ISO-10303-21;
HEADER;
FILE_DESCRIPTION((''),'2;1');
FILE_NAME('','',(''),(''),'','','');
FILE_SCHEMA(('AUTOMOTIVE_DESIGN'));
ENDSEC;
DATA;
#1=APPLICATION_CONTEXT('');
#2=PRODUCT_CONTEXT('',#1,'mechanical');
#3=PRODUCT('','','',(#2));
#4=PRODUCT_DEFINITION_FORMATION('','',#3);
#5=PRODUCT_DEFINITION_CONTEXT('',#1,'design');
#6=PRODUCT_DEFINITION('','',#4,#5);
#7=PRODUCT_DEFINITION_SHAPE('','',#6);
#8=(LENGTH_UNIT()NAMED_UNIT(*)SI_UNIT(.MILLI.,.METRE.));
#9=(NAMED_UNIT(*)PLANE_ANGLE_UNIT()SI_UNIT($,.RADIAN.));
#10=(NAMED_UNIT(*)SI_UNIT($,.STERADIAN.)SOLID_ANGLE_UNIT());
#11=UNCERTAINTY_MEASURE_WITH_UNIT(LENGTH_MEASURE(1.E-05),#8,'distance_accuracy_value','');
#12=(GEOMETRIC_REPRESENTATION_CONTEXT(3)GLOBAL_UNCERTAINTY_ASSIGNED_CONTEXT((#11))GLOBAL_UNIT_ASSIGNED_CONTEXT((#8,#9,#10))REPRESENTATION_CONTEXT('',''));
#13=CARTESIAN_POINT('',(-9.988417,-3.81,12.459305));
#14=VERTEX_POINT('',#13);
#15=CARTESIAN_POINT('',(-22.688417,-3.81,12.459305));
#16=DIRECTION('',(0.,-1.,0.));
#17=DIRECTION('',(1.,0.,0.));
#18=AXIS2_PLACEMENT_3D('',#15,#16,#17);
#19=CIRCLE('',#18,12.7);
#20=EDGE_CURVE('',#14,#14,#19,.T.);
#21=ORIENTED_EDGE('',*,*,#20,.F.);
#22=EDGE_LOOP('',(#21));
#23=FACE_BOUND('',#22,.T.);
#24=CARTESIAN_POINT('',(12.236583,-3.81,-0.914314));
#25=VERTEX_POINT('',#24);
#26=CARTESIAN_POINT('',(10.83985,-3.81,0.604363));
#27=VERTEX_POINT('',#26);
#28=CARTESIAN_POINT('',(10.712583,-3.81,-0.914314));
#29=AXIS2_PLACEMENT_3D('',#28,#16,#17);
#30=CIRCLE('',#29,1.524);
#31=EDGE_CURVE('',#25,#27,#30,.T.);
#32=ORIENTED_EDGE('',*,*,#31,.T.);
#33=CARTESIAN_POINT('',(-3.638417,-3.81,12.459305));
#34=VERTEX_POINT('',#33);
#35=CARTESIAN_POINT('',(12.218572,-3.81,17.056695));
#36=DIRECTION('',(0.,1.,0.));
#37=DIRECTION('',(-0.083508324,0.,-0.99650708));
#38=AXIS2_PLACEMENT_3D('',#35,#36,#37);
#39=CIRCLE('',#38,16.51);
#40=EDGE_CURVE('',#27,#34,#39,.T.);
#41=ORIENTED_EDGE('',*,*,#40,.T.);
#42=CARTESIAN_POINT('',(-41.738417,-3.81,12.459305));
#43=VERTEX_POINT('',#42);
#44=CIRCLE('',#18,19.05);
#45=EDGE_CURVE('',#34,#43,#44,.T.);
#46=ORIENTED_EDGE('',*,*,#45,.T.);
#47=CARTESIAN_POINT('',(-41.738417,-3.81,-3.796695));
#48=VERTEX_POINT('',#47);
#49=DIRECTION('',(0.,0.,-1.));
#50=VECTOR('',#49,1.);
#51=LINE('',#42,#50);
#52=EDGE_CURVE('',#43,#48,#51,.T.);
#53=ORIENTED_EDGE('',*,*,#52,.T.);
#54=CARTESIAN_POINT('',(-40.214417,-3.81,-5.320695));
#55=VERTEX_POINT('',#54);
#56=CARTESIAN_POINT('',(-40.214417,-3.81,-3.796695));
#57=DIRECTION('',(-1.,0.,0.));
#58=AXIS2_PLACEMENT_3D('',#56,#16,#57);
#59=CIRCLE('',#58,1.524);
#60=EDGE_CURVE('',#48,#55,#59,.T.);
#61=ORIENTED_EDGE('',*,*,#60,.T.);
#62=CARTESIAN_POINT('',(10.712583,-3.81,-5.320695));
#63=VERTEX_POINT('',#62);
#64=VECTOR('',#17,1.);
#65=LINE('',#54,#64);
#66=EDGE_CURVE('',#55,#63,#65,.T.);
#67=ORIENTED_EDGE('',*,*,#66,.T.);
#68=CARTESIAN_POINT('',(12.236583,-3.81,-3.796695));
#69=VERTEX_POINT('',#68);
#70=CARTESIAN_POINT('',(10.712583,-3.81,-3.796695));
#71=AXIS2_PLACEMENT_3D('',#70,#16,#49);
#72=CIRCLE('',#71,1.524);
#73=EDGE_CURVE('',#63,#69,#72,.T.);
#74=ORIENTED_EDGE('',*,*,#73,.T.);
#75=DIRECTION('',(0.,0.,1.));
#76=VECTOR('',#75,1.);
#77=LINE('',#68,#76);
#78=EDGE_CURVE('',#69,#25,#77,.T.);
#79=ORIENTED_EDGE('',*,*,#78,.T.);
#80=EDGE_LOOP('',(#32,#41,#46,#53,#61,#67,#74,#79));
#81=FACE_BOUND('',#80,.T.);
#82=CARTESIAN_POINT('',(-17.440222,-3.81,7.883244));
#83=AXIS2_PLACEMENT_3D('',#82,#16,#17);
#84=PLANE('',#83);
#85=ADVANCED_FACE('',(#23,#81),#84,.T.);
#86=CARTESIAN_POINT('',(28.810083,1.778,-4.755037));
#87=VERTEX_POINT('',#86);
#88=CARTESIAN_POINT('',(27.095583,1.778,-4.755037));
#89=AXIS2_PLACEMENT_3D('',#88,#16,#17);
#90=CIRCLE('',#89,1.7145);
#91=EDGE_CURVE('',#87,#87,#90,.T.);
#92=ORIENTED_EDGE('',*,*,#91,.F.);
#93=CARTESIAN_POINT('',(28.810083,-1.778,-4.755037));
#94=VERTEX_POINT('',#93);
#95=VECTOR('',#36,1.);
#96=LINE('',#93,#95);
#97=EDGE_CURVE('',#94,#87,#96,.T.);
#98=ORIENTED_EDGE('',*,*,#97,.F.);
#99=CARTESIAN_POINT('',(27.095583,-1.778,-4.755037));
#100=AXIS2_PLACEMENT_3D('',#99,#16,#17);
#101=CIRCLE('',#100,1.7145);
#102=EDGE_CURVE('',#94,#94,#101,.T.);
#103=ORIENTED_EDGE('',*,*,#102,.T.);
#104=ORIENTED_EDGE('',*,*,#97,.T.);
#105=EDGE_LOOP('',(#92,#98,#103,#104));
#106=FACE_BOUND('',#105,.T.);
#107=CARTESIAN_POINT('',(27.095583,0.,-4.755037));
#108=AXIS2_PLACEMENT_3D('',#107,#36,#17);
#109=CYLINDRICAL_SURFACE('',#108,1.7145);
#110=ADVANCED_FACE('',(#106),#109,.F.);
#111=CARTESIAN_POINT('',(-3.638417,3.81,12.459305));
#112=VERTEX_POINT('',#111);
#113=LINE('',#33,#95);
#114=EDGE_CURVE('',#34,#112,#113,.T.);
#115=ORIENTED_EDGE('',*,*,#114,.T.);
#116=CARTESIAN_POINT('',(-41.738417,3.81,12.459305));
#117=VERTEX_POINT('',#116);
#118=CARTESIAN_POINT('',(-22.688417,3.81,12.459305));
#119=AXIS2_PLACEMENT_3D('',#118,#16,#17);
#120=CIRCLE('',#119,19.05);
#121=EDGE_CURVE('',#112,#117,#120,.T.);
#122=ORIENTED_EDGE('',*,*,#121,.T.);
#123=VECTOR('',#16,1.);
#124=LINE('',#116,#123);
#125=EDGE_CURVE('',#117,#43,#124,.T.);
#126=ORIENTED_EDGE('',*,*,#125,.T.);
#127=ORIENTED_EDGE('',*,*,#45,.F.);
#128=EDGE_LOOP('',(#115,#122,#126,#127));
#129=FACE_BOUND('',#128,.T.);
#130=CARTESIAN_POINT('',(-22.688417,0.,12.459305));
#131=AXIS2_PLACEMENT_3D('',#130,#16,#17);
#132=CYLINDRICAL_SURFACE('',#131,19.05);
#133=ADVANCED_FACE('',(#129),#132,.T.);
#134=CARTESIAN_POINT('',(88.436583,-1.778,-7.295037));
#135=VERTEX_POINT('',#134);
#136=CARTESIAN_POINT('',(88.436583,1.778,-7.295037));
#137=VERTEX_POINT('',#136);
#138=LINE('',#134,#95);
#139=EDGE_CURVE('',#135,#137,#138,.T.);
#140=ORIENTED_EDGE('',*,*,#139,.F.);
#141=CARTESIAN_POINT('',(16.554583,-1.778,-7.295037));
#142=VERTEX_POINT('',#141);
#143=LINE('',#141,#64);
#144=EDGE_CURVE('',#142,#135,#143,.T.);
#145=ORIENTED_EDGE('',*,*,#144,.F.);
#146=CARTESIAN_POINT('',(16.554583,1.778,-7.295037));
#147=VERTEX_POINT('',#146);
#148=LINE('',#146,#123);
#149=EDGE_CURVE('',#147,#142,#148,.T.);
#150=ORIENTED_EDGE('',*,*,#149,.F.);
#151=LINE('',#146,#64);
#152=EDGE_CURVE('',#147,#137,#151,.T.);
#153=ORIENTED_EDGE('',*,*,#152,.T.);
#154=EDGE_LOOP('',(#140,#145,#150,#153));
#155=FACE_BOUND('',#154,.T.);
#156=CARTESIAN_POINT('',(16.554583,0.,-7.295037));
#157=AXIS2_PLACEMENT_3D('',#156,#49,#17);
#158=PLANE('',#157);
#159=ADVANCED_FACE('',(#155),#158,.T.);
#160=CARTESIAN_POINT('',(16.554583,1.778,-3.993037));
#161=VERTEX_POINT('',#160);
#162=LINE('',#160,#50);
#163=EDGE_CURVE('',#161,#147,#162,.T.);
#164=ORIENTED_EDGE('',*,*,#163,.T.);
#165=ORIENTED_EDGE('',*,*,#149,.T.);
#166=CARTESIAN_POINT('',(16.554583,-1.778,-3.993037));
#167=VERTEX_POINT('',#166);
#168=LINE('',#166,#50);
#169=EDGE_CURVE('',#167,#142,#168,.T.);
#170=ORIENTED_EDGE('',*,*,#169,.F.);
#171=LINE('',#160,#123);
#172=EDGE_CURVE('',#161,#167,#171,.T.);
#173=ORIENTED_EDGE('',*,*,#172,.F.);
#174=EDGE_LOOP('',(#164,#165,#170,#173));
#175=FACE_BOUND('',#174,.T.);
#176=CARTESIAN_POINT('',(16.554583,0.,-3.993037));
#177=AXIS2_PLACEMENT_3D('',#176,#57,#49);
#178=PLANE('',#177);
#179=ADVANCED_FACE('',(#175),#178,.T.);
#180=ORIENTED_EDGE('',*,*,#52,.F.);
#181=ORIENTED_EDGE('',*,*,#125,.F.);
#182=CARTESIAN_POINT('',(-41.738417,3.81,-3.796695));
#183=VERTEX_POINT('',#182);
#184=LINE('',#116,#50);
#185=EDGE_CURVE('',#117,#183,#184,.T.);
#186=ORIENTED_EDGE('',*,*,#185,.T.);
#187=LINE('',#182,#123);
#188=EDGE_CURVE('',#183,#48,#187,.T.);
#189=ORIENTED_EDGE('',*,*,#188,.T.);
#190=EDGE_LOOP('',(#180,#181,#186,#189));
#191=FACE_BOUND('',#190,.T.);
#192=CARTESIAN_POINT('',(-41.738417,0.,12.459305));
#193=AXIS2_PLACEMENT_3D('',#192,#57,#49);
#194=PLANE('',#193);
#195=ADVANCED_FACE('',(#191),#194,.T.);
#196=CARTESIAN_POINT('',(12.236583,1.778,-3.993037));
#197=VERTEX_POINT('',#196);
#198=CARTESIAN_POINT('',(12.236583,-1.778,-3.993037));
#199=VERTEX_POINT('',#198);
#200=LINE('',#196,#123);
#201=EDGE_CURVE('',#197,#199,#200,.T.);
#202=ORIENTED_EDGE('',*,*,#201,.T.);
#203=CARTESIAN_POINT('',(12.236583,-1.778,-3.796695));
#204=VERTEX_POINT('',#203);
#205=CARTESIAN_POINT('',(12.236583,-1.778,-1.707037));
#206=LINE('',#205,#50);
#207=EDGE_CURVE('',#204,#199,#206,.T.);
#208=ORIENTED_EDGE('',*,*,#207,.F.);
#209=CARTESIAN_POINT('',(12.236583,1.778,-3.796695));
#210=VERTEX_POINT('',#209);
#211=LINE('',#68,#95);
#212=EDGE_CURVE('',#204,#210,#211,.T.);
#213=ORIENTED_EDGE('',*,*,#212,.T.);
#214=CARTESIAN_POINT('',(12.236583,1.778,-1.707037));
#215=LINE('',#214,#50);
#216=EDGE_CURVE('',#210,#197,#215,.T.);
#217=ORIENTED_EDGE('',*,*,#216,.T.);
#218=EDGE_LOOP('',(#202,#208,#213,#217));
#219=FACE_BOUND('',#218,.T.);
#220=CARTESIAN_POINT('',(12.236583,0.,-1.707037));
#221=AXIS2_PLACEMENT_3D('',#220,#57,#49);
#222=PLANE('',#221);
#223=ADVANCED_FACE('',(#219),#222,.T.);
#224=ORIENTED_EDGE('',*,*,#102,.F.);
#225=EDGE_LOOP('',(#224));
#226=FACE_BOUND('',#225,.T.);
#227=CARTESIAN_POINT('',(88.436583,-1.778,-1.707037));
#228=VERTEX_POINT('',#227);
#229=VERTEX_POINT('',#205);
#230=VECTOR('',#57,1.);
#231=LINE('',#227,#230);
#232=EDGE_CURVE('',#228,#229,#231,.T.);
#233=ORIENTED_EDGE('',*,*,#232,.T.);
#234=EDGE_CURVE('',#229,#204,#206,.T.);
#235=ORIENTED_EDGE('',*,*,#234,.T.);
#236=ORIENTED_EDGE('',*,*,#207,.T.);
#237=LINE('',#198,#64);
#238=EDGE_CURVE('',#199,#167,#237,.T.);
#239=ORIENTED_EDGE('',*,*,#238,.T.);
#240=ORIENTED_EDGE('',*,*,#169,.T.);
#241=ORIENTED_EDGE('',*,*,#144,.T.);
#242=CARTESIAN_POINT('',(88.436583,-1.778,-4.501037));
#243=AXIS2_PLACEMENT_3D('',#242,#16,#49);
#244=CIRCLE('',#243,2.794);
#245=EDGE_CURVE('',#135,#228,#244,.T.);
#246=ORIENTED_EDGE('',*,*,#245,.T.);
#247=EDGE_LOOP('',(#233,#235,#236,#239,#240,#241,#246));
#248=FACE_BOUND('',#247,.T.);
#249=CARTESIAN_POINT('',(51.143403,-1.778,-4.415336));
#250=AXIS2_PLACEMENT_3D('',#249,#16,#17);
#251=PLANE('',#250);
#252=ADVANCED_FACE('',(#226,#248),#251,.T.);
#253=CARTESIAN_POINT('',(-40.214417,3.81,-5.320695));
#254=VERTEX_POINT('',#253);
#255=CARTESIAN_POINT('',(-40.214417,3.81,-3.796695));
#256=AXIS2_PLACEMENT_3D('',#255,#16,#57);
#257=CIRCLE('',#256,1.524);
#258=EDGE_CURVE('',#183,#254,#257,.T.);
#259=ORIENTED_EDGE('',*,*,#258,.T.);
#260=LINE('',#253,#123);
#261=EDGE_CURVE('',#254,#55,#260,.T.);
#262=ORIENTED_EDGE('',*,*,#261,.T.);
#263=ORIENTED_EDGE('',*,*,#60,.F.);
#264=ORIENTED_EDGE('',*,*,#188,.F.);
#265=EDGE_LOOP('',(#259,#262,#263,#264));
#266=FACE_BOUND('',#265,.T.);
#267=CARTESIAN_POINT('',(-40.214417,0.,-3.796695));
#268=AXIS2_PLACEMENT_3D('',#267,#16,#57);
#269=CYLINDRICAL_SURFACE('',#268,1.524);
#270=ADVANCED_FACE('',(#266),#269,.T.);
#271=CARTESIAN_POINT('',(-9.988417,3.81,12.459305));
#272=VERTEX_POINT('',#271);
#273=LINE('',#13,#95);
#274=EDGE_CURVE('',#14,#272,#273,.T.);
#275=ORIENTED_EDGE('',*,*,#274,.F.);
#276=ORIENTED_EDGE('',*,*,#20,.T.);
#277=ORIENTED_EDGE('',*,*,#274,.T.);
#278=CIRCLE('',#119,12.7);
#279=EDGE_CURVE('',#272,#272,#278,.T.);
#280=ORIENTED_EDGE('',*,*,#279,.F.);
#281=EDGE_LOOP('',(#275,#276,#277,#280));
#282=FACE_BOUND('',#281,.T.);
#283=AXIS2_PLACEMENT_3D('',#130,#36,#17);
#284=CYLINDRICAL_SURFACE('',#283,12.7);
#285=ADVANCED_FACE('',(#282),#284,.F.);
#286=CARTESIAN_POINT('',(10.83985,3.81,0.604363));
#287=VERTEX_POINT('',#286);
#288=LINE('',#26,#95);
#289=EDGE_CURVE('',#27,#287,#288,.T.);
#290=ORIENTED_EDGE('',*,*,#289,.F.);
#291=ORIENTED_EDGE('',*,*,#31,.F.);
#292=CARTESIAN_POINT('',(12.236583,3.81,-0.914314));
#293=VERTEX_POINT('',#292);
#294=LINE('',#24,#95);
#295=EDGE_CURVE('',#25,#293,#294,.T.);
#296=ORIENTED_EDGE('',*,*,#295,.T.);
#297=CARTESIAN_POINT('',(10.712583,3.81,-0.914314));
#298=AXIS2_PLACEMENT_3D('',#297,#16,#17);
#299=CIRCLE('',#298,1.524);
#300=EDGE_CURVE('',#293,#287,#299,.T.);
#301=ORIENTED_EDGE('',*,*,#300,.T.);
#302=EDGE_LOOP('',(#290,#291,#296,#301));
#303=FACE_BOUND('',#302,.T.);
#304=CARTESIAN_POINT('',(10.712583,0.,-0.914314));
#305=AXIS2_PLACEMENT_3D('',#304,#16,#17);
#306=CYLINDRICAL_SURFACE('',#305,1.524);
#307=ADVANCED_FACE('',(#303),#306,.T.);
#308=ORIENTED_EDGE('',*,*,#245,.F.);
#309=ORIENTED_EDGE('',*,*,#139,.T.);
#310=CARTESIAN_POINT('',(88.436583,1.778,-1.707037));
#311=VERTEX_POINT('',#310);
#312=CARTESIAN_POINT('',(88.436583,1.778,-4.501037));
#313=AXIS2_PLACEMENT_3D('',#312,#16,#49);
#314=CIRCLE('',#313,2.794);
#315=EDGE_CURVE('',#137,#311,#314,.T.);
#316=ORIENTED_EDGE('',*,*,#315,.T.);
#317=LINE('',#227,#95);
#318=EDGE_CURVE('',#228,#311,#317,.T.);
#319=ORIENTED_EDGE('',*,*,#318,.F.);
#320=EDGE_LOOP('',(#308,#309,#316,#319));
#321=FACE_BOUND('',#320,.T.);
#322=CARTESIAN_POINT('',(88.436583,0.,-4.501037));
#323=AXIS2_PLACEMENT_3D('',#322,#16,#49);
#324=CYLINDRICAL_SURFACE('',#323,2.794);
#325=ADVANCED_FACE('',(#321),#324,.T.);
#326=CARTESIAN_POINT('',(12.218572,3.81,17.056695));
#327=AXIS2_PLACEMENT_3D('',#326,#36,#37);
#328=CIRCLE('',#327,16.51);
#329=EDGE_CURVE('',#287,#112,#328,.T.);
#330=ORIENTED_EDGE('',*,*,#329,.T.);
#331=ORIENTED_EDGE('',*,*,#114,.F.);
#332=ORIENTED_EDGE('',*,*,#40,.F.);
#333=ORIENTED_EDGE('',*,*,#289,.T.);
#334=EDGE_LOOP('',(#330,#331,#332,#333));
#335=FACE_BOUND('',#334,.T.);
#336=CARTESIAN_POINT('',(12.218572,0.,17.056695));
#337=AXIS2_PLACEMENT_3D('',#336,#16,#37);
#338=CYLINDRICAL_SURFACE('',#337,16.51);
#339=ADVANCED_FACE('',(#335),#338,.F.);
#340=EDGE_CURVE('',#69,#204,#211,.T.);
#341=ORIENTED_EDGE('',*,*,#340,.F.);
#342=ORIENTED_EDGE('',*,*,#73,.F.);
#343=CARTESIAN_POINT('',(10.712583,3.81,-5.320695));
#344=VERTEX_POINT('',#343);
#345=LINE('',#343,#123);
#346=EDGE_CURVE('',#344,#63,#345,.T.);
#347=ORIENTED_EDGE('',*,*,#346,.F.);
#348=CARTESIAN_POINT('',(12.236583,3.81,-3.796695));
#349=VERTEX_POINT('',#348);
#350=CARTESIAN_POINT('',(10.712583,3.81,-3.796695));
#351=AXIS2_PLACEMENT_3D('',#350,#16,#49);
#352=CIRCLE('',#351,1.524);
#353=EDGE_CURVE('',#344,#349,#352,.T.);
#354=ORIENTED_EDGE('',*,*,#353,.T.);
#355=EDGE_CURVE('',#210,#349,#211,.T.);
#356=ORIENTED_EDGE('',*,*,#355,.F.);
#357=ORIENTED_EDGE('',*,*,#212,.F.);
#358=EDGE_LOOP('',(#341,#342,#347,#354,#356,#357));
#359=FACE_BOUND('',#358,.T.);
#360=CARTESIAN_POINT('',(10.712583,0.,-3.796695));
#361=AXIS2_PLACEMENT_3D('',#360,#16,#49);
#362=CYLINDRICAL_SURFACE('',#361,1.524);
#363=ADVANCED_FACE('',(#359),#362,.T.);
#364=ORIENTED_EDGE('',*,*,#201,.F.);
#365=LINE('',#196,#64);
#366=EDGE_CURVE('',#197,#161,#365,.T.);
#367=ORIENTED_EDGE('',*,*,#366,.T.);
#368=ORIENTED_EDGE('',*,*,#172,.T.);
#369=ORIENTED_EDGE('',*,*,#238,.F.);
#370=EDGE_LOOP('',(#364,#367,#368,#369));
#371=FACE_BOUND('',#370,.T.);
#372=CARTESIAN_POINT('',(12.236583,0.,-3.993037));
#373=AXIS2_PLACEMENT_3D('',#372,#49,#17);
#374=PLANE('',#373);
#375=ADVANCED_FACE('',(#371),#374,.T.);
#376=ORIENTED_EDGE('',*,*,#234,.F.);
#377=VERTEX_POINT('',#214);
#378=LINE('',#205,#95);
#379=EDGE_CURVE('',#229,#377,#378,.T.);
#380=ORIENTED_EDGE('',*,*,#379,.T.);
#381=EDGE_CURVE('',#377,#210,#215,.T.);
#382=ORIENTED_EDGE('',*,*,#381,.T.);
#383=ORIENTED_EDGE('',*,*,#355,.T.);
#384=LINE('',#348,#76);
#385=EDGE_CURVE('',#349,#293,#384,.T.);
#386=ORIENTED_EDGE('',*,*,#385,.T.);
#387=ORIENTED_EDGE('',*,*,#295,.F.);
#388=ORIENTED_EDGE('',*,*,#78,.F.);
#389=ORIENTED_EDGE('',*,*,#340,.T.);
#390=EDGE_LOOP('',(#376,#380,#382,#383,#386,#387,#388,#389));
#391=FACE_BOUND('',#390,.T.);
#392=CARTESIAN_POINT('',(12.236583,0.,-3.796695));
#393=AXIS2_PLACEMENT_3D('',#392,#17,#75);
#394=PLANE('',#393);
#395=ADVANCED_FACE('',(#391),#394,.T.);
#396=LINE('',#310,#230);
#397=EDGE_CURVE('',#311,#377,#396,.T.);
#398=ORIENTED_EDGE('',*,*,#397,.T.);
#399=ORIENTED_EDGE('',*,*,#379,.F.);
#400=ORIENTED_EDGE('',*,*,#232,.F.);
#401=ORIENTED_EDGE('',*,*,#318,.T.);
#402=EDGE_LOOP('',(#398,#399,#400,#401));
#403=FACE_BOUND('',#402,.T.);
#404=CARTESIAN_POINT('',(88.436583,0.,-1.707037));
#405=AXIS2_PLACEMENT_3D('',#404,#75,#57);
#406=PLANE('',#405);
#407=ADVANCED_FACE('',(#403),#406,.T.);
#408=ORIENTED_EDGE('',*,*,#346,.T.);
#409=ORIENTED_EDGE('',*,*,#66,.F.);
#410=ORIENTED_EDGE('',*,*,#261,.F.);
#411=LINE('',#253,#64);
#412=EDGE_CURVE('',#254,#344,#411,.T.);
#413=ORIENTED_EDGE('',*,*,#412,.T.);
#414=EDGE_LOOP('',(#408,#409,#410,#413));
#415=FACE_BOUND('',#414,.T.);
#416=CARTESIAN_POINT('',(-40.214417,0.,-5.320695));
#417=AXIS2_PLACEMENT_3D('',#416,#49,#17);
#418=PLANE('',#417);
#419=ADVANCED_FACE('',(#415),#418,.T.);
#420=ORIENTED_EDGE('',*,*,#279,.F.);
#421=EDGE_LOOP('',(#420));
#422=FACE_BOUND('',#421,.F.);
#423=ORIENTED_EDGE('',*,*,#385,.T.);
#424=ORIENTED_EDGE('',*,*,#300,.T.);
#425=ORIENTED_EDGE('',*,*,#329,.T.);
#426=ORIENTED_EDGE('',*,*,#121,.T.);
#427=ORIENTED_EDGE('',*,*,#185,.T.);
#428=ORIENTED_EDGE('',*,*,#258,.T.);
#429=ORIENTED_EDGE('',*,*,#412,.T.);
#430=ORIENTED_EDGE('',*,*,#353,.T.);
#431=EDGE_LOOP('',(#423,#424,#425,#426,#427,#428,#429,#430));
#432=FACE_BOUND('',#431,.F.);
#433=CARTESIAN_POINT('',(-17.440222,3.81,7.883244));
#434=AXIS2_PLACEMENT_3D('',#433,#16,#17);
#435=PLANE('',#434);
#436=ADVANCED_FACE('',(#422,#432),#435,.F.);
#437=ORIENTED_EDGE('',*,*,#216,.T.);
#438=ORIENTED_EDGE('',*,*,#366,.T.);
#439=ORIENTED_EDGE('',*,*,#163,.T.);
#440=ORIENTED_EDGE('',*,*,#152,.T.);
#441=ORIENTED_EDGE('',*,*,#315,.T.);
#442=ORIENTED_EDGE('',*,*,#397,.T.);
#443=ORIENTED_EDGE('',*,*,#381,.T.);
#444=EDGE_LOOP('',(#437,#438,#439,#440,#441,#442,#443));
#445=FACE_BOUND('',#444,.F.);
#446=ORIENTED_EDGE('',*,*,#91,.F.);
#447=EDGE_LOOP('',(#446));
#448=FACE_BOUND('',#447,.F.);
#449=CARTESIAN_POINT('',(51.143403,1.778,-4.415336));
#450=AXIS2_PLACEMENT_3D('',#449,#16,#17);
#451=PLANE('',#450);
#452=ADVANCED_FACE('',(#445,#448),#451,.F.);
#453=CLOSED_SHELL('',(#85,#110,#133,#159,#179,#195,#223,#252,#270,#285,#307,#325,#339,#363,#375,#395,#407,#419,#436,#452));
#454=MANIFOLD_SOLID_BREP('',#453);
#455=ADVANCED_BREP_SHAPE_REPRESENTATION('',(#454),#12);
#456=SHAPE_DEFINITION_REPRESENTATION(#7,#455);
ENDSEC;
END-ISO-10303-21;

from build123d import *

# Parameters (mm, degrees)
F0_R     = 12.7
F1_DEPTH = 3.81
F0_R_2   = 1.7145
F2_DEPTH = 1.778


with BuildPart() as f1:
    # F0 (on Front) → F1 (new body, symmetric)
    with BuildSketch(Plane.XZ):
        with BuildLine():
            ThreePointArc((-3.6384169996, 12.4593047711), (-22.6884169996, 31.5093047711), (-41.7384169996, 12.4593047711))
            Line((-41.7384169996, 12.4593047711), (-41.7384169996, -3.7966952289))
            ThreePointArc((-41.7384169996, -3.7966952289), (-41.2920477341, -4.8743259634), (-40.2144169996, -5.3206952289))
            Line((-40.2144169996, -5.3206952289), (10.7125830004, -5.3206952289))
            ThreePointArc((10.7125830004, -5.3206952289), (11.7902137349, -4.8743259634), (12.2365830004, -3.7966952289))
            Line((12.2365830004, -3.7966952289), (12.2365830004, -1.7070369388))
            Line((12.2365830004, -1.7070369388), (12.2365830004, -0.9143137283))
            ThreePointArc((12.2365830004, -0.9143137283), (11.8343072152, 0.1173406644), (10.8398496856, 0.6043630612))
            ThreePointArc((10.8398496856, 0.6043630612), (1.7590143391, 4.282590232), (-3.6384169996, 12.4593047711))
        make_face()
        with Locations((-22.6884169996, 12.4593047711)):
            Circle(F0_R, mode=Mode.SUBTRACT)
    extrude(amount=F1_DEPTH, both=True)

    # F0 (on Front) → F2 (join, symmetric)
    with BuildSketch(Plane.XZ):
        with BuildLine():
            Line((12.2365830004, -1.7070369388), (12.2365830004, -3.7966952289))
            Line((12.2365830004, -3.7966952289), (12.2365830004, -3.9930369388))
            Line((12.2365830004, -3.9930369388), (16.5545830004, -3.9930369388))
            Line((16.5545830004, -3.9930369388), (16.5545830004, -7.2950369388))
            Line((16.5545830004, -7.2950369388), (88.4365830004, -7.2950369388))
            ThreePointArc((88.4365830004, -7.2950369388), (91.2305830004, -4.5010369388), (88.4365830004, -1.7070369388))
            Line((88.4365830004, -1.7070369388), (12.2365830004, -1.7070369388))
        make_face()
        with Locations((27.0955830004, -4.7550369388)):
            Circle(F0_R_2, mode=Mode.SUBTRACT)
    extrude(amount=F2_DEPTH, both=True)


solid = f1.part
